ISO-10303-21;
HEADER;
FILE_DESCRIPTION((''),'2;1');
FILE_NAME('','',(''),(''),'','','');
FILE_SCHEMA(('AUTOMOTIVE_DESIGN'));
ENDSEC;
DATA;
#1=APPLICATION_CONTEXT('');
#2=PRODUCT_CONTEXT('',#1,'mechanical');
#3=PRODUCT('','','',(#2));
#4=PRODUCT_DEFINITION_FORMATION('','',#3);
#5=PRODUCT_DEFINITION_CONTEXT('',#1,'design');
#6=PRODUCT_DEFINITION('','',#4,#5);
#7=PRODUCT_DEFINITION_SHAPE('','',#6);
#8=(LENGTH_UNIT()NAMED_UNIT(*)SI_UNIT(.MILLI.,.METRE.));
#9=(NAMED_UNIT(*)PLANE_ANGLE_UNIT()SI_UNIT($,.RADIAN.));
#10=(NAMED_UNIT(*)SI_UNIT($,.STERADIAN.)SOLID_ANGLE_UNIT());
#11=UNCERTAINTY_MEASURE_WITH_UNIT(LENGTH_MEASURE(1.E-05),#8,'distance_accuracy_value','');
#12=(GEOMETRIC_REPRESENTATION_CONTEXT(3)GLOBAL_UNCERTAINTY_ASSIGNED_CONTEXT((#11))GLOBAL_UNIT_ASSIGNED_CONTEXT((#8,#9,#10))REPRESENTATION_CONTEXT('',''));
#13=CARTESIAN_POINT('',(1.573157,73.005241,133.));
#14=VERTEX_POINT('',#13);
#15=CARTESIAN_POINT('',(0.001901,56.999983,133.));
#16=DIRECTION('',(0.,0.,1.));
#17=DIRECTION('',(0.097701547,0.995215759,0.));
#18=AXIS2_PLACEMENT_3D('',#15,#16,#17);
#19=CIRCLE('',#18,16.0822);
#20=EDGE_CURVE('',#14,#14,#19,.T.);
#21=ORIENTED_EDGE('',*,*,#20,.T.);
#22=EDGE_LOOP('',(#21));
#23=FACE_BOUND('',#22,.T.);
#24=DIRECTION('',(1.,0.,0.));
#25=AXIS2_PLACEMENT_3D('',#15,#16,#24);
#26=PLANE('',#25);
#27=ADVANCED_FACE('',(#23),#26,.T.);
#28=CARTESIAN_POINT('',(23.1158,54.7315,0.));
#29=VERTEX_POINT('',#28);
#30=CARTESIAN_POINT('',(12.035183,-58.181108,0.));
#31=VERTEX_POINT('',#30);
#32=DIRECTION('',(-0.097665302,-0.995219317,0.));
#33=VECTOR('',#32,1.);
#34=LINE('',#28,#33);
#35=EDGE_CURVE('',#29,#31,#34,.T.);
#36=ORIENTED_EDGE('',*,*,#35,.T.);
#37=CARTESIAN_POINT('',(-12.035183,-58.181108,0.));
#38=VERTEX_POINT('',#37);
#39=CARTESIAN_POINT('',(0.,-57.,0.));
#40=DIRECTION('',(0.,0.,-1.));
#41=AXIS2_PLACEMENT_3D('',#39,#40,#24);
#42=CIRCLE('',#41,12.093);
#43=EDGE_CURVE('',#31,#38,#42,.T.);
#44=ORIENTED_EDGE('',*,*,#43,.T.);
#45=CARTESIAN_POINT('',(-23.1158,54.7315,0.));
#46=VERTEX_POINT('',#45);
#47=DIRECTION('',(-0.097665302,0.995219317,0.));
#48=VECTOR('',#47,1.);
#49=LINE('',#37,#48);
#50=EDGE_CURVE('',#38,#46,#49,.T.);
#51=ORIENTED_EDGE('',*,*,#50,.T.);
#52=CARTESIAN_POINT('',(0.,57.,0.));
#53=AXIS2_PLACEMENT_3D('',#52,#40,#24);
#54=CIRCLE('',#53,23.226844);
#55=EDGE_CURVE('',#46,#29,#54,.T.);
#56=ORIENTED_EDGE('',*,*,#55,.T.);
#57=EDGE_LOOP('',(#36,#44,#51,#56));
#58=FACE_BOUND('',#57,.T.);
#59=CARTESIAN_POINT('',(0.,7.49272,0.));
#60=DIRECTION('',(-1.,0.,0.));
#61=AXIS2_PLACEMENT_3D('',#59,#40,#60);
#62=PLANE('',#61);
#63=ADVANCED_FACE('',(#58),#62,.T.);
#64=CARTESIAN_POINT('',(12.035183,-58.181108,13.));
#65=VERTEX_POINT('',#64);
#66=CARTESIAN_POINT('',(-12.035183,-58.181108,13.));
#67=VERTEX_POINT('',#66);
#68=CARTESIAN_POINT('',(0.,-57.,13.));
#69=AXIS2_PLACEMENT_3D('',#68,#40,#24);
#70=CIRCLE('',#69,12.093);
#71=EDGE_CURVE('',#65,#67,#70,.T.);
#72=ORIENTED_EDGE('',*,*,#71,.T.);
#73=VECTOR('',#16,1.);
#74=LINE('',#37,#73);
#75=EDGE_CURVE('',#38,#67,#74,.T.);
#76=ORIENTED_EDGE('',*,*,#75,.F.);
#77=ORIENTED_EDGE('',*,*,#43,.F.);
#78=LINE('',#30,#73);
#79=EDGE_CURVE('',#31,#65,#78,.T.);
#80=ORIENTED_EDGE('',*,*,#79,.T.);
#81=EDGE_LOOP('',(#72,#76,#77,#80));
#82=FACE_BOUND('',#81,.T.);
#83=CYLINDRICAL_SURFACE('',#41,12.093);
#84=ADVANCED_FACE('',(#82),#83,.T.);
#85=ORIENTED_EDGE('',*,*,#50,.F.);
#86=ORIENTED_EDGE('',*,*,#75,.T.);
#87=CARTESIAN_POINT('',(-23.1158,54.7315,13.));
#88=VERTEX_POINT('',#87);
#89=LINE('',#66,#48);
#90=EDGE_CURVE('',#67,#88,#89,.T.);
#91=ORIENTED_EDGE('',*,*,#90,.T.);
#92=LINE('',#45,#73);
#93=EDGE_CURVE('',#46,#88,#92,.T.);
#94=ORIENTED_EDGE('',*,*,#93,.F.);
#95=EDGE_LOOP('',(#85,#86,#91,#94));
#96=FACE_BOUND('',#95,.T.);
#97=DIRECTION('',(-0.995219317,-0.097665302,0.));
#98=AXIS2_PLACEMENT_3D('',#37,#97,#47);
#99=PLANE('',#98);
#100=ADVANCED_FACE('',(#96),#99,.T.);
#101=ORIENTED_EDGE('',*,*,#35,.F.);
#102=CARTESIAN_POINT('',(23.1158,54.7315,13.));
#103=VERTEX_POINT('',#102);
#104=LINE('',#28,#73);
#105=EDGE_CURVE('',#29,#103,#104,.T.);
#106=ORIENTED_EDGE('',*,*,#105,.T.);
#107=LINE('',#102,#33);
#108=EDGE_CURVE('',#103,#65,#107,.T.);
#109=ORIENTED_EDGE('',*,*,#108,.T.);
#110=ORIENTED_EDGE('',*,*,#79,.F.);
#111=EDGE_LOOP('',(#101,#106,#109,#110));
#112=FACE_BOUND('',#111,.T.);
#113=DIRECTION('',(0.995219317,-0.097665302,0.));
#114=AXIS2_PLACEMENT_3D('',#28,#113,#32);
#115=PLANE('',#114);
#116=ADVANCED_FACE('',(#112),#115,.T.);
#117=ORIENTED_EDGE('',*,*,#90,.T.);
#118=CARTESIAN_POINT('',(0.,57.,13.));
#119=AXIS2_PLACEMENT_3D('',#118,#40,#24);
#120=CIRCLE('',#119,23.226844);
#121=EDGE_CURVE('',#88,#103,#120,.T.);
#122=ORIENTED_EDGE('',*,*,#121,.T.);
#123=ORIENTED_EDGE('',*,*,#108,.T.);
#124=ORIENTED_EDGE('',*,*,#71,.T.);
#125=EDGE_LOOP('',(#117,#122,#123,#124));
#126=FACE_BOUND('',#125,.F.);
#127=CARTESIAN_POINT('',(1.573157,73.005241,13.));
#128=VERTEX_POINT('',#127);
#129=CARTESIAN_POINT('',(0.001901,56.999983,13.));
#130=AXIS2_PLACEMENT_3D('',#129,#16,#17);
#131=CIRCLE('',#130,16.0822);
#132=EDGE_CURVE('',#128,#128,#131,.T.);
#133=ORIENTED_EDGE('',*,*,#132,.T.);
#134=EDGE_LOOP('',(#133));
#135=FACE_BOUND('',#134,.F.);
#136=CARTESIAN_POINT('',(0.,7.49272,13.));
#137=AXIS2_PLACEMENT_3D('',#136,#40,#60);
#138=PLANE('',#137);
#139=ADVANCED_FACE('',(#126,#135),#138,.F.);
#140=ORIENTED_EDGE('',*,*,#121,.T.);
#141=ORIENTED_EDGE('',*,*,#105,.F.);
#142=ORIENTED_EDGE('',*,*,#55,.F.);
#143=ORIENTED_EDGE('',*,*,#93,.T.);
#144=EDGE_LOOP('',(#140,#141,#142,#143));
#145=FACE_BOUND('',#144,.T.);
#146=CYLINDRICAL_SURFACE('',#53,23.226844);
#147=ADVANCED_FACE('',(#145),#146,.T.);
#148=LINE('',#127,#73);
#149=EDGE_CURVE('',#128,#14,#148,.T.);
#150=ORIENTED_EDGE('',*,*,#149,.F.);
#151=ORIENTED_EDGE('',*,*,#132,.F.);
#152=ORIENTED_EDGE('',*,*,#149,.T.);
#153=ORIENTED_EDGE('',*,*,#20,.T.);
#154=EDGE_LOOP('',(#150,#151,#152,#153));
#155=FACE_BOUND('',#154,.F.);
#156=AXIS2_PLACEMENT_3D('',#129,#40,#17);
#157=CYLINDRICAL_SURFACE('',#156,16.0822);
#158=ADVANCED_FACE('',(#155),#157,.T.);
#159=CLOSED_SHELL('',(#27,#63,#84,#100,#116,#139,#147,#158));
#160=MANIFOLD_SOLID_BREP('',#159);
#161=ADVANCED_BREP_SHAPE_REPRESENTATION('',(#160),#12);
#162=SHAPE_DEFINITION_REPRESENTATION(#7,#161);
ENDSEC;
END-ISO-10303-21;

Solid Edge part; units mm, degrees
sketch "Sketch1" plane through (0, 0, 0) normal (0, 0, 1) x (1, 0, 0)
  line L0 (-12.0351, -58.1811) -> (-23.1158, 54.7315)
  line L1 (23.1158, 54.7315) -> (12.0351, -58.1811)
  arc A0 (12.0351, -58.1811) -> (-12.0351, -58.1811) centre (0, -57) cw
  arc A1 (-23.1158, 54.7315) -> (23.1158, 54.7315) centre (0, 57) cw
extrude "Protrusion1" add sketch "Sketch1" along normal blind 13
sketch "Sketch2" plane through (0, 5.5669, 13) normal (0, 0, 1) x (0.0977, 0.9952, 0)
  circle A0 centre (51.1872, 5.0232) radius 16.0822
extrude "ExtrudedProtrusion_3" add sketch "Sketch2" along normal blind 120
